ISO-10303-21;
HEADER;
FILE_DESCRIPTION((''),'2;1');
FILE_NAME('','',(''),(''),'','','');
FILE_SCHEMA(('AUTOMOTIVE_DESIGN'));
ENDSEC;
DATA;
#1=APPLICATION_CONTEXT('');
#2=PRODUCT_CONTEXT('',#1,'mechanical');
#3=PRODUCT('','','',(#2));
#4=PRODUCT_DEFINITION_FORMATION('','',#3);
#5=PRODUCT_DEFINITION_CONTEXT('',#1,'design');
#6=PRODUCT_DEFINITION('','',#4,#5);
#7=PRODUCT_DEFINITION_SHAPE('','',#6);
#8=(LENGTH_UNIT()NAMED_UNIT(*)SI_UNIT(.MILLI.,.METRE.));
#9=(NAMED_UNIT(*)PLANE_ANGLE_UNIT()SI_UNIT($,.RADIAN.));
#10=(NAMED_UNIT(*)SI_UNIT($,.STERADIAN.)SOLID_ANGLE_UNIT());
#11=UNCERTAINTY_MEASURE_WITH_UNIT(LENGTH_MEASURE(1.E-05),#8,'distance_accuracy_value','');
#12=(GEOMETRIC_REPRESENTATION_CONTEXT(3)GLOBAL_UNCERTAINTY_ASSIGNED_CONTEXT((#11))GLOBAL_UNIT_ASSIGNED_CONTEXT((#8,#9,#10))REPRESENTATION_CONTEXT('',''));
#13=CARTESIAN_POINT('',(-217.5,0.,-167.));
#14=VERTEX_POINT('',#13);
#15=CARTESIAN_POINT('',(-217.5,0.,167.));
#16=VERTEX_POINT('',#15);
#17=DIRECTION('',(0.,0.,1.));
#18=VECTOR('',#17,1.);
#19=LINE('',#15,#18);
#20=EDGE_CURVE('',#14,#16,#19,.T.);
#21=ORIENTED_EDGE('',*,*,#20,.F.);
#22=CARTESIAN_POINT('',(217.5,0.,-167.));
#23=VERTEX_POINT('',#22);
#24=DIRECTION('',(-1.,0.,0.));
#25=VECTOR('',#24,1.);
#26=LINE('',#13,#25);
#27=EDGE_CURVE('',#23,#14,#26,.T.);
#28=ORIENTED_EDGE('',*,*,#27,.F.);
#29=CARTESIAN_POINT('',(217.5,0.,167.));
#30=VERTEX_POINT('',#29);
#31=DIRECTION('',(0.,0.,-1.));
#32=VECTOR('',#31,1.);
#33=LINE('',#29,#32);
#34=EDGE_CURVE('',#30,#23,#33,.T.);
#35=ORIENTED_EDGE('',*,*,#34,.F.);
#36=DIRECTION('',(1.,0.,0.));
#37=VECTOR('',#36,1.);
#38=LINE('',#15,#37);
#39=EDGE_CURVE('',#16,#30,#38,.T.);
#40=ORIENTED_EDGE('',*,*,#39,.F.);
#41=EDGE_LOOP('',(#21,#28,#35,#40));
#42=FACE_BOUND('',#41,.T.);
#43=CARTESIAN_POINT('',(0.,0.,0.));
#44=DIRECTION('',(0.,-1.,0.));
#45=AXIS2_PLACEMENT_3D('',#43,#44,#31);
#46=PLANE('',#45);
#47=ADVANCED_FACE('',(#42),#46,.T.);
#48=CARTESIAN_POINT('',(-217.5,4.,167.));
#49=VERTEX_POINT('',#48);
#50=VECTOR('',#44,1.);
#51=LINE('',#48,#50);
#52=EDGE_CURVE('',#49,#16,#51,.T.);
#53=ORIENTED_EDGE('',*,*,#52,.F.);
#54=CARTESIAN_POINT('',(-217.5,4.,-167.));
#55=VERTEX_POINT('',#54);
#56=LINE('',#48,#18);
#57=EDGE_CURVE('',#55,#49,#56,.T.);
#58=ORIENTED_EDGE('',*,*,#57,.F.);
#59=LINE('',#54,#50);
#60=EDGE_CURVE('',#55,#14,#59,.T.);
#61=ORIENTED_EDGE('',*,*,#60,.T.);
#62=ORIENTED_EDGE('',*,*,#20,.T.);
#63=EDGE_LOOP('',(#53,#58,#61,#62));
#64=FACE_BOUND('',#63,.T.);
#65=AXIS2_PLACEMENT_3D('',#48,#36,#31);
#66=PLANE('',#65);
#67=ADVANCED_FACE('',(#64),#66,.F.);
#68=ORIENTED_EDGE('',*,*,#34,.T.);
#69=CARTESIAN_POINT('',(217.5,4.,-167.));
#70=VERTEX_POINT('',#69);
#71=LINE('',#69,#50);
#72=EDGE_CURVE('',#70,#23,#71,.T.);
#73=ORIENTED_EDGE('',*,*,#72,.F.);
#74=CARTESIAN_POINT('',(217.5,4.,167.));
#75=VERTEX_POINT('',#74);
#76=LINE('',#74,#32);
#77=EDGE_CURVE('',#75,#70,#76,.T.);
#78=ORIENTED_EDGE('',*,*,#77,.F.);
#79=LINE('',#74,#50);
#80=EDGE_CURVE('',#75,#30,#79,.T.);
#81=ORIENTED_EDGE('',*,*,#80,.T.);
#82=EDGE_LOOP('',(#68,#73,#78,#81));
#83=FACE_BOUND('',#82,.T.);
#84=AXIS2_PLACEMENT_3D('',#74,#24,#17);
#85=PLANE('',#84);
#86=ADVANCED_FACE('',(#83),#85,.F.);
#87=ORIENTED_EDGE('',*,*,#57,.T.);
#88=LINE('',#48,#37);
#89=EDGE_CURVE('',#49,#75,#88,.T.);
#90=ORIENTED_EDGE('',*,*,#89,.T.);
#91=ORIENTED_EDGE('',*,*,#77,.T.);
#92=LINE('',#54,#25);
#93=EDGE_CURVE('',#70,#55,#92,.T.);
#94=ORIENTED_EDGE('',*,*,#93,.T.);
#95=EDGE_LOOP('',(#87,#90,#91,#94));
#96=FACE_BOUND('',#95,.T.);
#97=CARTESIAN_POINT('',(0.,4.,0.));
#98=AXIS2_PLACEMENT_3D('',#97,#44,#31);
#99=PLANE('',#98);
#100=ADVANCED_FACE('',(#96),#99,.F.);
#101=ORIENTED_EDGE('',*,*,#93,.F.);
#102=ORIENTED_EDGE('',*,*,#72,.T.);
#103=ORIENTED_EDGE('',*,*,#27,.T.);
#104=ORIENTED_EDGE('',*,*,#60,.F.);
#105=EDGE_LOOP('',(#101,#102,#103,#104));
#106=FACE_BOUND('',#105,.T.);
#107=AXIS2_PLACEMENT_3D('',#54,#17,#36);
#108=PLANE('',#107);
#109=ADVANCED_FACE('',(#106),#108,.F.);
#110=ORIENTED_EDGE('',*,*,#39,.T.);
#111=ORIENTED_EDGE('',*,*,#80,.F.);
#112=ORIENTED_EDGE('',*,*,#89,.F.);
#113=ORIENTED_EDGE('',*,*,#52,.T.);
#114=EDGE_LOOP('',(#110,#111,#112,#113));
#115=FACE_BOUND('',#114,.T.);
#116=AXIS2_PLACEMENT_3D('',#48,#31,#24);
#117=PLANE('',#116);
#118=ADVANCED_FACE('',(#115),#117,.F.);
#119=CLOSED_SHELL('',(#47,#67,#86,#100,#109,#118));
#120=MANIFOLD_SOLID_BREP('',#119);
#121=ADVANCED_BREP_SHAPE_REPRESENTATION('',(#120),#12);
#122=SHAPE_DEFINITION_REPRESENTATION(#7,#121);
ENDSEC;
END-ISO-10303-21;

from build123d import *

# Parameters (mm, degrees)
SKETCH_1_W      = 435
SKETCH_1_H      = 334
EXTRUDE_1_DEPTH = 4


with BuildPart() as part:
    # Эскиз1 → Бобышка-Вытянуть1 (new body)
    with BuildSketch(Plane(origin=(0, 0, 0), x_dir=(1, 0, 0), z_dir=(0, 1, 0))):
        Rectangle(SKETCH_1_W, SKETCH_1_H)
    extrude(amount=EXTRUDE_1_DEPTH)


solid = part.part
